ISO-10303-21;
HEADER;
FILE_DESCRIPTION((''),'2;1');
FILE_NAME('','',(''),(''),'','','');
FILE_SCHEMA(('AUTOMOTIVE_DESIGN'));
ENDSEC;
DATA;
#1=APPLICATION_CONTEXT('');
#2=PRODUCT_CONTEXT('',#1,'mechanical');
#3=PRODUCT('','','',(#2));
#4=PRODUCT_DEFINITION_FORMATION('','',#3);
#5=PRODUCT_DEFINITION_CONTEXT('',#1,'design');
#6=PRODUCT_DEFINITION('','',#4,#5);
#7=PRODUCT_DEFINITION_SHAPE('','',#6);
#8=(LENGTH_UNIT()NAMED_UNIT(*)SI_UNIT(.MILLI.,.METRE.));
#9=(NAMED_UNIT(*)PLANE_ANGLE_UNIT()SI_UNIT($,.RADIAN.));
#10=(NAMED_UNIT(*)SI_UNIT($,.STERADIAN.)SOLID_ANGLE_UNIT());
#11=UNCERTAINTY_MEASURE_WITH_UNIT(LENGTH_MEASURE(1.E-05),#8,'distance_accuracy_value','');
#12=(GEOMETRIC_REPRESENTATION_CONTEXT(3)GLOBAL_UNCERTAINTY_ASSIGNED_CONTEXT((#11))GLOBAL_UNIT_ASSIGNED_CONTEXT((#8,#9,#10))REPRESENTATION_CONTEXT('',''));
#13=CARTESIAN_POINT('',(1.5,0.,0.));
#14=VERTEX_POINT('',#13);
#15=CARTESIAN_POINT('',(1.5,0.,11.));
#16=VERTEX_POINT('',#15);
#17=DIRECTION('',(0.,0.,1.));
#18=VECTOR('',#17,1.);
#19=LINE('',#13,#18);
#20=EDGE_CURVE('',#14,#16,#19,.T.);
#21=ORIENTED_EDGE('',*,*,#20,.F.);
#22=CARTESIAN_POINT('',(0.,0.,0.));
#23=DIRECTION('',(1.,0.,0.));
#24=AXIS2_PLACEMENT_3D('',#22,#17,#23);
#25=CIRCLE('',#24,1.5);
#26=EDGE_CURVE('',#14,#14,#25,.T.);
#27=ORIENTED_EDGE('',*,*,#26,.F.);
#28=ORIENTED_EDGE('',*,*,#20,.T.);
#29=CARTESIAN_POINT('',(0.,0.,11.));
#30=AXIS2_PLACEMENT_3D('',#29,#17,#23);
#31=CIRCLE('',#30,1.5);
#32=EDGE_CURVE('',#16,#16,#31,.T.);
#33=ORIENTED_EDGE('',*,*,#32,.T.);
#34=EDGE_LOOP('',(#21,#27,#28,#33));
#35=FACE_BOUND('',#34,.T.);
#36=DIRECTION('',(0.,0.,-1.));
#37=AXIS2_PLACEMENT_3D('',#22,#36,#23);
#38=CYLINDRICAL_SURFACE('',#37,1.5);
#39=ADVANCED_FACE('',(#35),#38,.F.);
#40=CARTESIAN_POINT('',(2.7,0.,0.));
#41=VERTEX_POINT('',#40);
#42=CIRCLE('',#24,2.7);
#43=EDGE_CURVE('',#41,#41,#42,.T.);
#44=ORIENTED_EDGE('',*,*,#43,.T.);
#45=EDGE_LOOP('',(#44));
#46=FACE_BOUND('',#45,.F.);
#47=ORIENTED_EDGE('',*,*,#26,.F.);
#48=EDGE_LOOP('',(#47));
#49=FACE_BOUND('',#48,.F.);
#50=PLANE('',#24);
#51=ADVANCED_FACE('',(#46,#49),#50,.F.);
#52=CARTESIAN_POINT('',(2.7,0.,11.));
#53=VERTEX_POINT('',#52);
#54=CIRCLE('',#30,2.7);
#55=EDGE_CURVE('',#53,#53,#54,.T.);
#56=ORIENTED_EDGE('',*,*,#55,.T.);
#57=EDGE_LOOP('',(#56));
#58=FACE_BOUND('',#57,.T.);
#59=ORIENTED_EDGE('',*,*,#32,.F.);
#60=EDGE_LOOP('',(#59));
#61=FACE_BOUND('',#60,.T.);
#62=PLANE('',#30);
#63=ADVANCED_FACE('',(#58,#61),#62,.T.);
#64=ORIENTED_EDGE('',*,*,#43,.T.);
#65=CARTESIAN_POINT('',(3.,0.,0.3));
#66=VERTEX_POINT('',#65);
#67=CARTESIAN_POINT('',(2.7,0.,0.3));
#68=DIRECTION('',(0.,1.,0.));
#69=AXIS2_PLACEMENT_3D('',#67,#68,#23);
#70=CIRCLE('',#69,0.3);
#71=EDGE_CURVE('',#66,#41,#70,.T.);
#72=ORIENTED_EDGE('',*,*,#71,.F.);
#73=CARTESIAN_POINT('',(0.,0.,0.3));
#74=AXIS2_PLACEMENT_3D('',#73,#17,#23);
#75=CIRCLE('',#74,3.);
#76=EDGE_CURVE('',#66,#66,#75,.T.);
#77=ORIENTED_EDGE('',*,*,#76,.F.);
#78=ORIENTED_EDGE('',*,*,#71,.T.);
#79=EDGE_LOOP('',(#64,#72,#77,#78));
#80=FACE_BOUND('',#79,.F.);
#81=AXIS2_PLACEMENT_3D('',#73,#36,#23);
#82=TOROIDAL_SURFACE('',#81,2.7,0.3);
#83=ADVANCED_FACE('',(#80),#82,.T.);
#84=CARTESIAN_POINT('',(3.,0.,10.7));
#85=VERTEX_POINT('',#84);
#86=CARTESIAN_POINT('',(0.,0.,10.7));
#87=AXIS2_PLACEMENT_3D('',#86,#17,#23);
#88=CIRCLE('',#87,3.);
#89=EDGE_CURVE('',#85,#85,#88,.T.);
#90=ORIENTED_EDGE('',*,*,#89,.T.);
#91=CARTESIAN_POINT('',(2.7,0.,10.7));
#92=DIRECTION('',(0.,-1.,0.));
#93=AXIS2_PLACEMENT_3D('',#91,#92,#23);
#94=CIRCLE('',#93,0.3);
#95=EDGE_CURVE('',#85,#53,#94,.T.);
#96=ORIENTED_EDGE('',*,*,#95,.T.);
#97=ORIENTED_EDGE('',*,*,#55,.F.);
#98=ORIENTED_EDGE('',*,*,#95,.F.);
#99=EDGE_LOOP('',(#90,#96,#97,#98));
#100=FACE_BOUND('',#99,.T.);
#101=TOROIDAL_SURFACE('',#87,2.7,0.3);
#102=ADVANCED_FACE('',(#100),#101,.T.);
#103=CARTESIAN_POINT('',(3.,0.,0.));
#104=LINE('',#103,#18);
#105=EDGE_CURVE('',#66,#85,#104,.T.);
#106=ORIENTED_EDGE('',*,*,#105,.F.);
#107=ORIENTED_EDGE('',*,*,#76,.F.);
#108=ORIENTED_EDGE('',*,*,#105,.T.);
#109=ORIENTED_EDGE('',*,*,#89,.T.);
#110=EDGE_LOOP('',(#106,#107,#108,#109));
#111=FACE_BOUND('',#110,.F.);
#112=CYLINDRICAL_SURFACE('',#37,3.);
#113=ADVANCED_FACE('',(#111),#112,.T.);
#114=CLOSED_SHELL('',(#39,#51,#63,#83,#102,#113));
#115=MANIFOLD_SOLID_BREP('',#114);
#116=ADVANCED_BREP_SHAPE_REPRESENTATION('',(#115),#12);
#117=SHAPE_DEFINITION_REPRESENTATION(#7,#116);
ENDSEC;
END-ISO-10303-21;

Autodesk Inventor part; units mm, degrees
ref_plane "YZ Plane" through (0, 0, 0) normal (1, 0, 0) x (0, 1, 0)
ref_plane "XZ Plane" through (0, 0, 0) normal (0, 1, 0) x (-1, 0, 0)
ref_plane "XY Plane" through (0, 0, 0) normal (0, 0, 1) x (1, 0, 0)
sketch "スケッチ1" plane through (0, 0, 0) normal (0, 0, 1) x (1, 0, 0)
  circle A0 centre (0, 0) radius 1.5
  circle A1 centre (0, 0) radius 3
  dimension "d0" = 3
  dimension "d1" = 6
extrude "押し出し1" add sketch "スケッチ1" along normal blind 11
fillet "フィレット1" radius 0.3 2 edges at (-3, 0, 11) (-3, 0, 0)
thread "ねじ1" size "M3x0.5" class "6H" standard "ANSI Metric M Profile" length 100
properties part number "スペーサーM3L11アルミ" material "アルミニウム 2014-T4"
